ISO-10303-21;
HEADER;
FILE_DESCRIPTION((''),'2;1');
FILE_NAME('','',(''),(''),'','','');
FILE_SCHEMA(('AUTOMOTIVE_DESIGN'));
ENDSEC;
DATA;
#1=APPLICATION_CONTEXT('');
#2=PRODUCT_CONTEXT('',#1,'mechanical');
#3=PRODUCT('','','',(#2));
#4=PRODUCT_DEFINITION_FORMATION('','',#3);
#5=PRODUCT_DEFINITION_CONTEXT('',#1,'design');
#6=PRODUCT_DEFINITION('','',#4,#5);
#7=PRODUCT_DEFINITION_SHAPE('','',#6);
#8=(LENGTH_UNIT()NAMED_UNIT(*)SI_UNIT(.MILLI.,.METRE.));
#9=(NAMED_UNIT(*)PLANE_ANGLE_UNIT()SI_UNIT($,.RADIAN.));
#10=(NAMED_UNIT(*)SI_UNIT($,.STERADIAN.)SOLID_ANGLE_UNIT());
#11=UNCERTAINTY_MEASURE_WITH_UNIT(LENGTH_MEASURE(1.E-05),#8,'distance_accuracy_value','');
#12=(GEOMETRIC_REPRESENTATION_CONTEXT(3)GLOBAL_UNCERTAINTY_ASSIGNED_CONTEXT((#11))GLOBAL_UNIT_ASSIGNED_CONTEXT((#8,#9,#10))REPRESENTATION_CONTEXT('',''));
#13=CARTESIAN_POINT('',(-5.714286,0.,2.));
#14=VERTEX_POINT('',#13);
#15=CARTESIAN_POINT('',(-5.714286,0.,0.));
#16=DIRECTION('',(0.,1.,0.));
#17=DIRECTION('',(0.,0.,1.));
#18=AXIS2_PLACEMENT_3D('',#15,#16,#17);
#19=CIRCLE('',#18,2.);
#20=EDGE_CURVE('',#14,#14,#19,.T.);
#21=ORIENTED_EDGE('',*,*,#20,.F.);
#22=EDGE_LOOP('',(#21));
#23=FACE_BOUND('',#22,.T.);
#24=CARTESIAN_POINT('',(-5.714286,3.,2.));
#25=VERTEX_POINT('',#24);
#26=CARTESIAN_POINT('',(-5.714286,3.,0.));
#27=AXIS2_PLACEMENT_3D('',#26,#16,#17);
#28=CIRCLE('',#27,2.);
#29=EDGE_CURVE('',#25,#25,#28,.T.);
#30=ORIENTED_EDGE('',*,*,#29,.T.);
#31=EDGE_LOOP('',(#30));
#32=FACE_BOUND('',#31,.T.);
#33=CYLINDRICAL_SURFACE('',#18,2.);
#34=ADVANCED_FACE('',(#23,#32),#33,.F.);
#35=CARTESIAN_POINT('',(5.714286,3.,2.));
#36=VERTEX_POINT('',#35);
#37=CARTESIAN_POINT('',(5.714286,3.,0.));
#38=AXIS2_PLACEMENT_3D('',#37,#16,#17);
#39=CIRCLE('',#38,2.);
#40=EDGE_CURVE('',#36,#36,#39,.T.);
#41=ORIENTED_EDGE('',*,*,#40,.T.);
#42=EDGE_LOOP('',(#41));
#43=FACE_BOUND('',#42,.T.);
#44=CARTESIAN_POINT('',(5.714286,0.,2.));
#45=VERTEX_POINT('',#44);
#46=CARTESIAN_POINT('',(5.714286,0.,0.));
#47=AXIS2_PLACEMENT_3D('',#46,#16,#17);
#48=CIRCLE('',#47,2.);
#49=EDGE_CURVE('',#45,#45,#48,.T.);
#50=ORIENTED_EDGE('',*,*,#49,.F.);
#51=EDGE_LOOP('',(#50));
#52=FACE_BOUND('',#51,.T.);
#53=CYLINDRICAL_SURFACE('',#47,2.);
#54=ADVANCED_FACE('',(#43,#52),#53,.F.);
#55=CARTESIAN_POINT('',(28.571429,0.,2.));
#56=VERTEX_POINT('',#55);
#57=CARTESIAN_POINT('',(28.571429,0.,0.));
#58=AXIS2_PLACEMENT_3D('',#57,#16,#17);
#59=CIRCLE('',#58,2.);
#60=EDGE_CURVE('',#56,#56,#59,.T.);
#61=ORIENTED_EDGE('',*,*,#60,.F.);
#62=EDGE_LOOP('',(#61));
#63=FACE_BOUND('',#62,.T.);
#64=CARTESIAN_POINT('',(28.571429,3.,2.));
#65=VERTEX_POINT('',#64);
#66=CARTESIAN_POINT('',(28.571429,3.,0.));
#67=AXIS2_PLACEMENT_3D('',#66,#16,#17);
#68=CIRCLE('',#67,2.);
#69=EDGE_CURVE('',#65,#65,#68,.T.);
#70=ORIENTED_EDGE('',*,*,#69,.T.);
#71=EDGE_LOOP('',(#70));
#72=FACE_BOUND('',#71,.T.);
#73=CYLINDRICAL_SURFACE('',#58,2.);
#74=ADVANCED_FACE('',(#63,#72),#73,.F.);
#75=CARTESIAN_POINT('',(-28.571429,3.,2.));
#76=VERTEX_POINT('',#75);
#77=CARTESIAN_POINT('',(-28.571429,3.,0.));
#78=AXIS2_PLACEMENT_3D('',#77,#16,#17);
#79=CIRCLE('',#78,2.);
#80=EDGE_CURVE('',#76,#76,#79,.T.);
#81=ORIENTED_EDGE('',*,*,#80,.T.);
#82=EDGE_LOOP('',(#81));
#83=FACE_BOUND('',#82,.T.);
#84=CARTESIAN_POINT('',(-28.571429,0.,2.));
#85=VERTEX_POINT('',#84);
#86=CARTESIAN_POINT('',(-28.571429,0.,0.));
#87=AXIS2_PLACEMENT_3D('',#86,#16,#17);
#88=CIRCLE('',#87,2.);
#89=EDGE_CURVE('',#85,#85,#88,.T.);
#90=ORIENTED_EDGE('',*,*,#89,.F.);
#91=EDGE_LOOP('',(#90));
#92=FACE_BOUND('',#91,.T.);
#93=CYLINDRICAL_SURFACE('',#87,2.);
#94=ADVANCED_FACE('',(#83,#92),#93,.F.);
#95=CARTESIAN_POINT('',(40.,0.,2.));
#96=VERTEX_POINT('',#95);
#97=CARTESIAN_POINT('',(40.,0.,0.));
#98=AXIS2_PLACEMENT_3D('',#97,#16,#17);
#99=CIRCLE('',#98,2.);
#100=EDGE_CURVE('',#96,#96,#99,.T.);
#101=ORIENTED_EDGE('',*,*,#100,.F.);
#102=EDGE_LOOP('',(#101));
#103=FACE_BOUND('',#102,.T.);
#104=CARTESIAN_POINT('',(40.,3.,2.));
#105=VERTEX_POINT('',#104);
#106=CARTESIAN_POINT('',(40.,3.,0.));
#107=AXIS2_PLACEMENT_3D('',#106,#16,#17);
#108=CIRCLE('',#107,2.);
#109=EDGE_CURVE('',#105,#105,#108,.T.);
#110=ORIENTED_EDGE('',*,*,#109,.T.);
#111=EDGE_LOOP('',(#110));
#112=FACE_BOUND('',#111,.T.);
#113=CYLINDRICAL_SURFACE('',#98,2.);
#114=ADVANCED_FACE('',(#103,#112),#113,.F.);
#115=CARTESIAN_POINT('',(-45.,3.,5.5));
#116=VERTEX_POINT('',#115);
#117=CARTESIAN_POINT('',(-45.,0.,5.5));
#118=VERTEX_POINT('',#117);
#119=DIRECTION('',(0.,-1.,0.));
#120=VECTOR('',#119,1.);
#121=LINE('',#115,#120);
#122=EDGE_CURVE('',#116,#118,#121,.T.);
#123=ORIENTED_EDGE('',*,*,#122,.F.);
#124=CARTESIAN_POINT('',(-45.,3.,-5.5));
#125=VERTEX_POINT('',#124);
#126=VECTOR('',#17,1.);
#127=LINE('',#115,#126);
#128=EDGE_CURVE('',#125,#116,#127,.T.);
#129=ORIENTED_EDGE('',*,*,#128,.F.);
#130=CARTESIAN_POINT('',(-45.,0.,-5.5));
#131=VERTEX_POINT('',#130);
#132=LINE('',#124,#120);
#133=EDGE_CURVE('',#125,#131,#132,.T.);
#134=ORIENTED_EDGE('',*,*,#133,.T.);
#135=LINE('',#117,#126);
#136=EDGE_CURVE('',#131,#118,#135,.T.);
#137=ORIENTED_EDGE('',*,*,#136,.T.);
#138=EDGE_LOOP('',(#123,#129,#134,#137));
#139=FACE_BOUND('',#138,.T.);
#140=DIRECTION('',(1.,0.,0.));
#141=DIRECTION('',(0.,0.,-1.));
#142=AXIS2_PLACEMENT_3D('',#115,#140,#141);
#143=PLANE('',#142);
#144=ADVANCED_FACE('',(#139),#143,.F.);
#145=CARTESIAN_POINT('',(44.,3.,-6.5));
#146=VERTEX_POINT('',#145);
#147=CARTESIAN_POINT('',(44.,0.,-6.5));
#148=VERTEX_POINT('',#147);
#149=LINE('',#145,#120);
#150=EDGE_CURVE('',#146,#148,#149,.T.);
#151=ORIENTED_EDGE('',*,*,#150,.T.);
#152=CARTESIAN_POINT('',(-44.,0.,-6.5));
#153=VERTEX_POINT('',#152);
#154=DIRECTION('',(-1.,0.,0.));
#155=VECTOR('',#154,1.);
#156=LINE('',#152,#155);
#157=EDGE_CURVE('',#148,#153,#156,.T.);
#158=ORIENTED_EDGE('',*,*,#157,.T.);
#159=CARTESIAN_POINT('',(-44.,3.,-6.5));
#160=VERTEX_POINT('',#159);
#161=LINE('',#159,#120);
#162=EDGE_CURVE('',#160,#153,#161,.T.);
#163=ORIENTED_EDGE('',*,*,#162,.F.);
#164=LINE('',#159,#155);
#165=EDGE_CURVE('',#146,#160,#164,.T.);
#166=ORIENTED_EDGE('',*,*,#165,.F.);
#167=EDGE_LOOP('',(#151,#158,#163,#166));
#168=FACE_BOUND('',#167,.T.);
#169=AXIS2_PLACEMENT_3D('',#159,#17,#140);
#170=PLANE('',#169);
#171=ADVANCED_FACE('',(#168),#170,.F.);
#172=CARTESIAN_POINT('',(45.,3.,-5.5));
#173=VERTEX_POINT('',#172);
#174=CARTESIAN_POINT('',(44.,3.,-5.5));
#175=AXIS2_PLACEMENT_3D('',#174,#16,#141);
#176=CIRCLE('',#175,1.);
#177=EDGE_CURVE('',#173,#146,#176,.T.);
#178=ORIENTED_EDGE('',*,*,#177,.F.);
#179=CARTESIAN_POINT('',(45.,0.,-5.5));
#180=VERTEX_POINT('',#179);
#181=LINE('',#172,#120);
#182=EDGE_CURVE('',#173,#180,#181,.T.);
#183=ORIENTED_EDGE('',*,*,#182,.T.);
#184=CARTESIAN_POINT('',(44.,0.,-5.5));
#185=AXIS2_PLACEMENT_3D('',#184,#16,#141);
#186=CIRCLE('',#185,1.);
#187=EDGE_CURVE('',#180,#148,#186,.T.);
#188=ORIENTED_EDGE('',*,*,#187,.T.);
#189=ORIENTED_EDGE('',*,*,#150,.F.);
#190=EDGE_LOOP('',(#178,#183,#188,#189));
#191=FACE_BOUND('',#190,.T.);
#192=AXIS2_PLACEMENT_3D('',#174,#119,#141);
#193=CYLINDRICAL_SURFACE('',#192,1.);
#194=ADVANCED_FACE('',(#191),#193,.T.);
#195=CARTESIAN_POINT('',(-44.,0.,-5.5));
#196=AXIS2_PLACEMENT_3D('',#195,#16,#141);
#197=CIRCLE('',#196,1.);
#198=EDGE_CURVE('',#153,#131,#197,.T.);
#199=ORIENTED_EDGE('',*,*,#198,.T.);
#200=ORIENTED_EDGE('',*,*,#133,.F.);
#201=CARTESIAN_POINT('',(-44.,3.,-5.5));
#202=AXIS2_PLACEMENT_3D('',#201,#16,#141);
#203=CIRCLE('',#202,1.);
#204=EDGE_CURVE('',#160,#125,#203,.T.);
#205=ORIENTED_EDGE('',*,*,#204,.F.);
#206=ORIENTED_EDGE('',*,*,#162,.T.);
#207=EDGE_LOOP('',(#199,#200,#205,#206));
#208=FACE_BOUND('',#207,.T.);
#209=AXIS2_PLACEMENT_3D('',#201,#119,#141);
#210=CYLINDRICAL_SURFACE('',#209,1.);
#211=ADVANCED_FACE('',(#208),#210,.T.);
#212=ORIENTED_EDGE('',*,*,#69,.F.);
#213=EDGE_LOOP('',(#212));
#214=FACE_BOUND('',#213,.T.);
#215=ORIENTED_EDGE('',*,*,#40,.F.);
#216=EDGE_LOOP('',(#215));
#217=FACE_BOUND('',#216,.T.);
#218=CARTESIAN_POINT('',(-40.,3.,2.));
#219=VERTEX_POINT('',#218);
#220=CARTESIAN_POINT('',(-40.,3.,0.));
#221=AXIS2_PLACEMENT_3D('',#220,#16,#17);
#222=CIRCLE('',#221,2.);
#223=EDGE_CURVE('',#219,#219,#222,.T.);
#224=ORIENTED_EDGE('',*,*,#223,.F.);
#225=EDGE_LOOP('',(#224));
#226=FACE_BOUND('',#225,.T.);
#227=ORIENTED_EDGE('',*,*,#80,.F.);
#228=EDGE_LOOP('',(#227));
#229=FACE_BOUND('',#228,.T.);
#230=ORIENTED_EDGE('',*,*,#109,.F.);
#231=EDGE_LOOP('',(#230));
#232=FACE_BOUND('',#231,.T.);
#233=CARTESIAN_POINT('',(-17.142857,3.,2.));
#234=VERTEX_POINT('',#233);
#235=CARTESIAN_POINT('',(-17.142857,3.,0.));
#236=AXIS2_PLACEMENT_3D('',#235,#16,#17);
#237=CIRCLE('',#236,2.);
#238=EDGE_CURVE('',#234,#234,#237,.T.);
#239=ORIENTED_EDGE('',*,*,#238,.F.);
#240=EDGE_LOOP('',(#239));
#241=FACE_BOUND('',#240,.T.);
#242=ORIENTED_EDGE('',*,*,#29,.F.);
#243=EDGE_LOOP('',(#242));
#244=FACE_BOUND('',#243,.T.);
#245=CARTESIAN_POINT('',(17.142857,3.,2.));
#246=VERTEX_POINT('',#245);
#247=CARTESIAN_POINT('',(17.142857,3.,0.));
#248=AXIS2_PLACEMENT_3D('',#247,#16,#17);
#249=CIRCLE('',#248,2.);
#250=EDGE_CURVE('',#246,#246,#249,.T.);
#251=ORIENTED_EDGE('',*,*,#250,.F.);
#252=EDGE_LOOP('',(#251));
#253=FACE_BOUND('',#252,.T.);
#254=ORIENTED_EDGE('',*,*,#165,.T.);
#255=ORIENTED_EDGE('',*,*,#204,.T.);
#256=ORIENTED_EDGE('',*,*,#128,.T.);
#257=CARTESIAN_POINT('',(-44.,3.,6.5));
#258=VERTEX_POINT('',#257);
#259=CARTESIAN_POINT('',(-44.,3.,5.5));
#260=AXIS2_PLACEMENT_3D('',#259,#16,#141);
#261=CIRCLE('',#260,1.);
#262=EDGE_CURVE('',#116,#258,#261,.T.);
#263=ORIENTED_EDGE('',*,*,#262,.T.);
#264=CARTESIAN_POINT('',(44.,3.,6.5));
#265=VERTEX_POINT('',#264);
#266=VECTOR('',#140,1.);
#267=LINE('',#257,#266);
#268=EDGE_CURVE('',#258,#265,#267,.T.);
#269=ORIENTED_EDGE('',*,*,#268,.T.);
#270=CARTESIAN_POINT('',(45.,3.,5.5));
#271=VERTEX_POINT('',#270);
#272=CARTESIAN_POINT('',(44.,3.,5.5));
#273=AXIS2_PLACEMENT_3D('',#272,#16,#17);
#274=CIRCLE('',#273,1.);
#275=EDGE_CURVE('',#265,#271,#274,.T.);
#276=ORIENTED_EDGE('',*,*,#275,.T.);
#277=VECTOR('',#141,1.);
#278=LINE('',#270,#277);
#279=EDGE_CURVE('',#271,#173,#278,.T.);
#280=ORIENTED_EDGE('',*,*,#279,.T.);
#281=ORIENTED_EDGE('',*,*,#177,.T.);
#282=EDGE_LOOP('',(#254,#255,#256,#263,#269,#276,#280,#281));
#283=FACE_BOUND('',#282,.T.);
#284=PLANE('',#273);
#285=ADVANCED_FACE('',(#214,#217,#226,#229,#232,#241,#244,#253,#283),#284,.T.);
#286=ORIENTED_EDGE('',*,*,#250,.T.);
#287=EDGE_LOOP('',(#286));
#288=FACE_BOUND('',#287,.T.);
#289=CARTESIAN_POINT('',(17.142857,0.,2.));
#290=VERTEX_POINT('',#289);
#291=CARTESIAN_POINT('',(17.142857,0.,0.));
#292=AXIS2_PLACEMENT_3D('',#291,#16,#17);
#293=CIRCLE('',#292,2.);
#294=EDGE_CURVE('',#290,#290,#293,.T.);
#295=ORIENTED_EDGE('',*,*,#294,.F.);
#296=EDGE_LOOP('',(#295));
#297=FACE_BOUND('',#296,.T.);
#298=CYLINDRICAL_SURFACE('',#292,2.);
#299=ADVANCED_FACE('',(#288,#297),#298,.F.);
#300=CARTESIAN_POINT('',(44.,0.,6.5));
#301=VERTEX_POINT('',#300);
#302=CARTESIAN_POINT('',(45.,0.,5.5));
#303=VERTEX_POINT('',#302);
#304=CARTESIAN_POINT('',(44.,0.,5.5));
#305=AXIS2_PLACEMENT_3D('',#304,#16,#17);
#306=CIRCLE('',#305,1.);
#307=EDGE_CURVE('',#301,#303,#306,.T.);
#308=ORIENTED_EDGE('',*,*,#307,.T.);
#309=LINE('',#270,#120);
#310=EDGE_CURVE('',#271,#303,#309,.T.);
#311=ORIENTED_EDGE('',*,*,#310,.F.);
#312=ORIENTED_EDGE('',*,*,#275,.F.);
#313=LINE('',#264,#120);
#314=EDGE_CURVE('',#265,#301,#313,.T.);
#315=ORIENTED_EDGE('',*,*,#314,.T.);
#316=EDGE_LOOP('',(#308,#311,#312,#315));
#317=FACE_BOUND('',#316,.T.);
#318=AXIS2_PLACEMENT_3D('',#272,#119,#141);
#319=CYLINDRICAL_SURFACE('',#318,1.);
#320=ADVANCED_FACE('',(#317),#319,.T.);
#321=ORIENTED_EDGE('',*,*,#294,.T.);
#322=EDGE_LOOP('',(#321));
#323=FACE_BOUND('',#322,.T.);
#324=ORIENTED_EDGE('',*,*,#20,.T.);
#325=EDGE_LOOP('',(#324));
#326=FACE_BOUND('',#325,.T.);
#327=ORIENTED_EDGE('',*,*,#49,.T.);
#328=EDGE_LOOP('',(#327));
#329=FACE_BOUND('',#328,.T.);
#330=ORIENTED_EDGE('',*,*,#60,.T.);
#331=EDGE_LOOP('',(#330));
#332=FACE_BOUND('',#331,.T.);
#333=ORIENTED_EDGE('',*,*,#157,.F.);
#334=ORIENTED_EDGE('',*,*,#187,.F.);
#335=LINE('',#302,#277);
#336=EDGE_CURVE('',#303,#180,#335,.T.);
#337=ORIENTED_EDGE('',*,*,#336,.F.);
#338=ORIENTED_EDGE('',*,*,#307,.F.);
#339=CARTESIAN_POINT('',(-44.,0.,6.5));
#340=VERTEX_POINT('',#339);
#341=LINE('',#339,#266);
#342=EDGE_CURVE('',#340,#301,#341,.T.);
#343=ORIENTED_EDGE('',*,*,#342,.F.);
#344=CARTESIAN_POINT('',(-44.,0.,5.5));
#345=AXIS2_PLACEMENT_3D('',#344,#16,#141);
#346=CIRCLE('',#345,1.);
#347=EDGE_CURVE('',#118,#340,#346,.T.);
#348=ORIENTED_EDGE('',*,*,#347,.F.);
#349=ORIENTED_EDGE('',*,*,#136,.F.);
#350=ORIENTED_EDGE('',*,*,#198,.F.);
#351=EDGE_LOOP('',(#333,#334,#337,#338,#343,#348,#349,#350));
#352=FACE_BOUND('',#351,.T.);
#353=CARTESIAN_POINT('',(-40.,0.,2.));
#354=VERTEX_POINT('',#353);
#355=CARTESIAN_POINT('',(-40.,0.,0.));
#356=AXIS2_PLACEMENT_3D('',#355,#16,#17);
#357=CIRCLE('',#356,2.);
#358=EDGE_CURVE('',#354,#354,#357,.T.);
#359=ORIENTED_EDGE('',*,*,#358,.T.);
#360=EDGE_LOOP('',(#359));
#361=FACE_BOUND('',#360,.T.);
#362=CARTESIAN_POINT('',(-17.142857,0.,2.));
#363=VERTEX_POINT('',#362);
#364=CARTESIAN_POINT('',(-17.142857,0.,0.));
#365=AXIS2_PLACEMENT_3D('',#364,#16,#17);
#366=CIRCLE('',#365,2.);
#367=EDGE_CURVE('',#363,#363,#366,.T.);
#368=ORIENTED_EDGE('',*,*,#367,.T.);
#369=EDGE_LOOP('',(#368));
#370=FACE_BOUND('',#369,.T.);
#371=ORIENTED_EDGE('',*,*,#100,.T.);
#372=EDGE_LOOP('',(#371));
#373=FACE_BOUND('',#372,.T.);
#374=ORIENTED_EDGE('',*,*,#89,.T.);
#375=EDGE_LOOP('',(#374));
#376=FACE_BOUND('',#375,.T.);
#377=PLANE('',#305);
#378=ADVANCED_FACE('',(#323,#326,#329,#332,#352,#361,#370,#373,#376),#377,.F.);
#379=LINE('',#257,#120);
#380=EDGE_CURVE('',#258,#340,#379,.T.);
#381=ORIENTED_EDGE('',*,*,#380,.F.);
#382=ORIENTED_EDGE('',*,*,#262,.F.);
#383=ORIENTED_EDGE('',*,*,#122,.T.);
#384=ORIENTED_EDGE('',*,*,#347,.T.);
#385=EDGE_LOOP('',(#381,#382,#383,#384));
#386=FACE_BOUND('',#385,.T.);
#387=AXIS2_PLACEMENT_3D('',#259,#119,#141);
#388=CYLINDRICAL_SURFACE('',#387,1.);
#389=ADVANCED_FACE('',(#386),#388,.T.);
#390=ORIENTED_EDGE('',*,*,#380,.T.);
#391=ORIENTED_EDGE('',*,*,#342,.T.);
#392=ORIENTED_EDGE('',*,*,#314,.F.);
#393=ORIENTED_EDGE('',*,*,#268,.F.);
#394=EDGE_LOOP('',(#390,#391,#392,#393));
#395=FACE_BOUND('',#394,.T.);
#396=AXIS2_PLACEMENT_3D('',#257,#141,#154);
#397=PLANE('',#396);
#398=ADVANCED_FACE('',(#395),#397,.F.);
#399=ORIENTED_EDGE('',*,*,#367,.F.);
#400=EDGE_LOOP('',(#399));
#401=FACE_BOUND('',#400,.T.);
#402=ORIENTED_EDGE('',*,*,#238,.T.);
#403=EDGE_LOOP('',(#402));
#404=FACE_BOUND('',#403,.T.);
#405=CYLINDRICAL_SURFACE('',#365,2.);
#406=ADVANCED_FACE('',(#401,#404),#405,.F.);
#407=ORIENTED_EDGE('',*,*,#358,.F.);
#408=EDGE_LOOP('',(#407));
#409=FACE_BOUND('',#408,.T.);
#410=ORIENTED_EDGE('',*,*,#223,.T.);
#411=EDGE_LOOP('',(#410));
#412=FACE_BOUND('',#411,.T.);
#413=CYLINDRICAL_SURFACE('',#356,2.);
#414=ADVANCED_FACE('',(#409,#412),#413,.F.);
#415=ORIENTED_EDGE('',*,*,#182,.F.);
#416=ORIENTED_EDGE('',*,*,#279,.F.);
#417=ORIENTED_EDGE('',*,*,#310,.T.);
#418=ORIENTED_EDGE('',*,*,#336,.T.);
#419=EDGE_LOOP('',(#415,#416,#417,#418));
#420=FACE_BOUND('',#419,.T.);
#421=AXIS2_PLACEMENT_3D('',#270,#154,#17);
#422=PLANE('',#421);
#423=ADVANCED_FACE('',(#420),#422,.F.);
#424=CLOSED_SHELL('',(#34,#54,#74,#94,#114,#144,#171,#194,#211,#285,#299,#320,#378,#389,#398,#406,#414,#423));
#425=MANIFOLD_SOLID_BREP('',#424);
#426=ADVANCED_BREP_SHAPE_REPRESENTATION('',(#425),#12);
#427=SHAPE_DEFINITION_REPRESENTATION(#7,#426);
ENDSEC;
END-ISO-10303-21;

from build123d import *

# Parameters (mm, degrees)
BOSS_EXTRUDE1_DEPTH = 3
SKETCH3_R           = 2
CUT_EXTRUDE1_DEPTH  = 46.565886362


with BuildPart() as part:
    # Sketch1 → Boss-Extrude1 (new body)
    with BuildSketch(Plane(origin=(0, 0, 0), x_dir=(1, 0, 0), z_dir=(0, 1, 0))):
        with BuildLine():
            Line((-44, -6.5), (44, -6.5))
            ThreePointArc((44, -6.5), (44.707106781, -6.207106781), (45, -5.5))
            Line((45, -5.5), (45, 5.5))
            ThreePointArc((45, 5.5), (44.707106781, 6.207106781), (44, 6.5))
            Line((44, 6.5), (-44, 6.5))
            ThreePointArc((-44, 6.5), (-44.707106781, 6.207106781), (-45, 5.5))
            Line((-45, 5.5), (-45, -5.5))
            ThreePointArc((-45, -5.5), (-44.707106781, -6.207106781), (-44, -6.5))
        make_face()
    extrude(amount=BOSS_EXTRUDE1_DEPTH)

    # Sketch3 → Cut-Extrude1 (cut, through all)
    with BuildSketch(Plane(origin=(0, 3, 0), x_dir=(1, 0, 0), z_dir=(0, 1, 0))):
        with Locations(Location((-40, 0, 0), (0, 0, 270))):
            Circle(SKETCH3_R)
        with Locations(Location((-28.571428571, 0, 0), (0, 0, 270))):
            Circle(SKETCH3_R)
        with Locations(Location((-17.142857143, 0, 0), (0, 0, 270))):
            Circle(SKETCH3_R)
        with Locations(Location((-5.714285714, 0, 0), (0, 0, 270))):
            Circle(SKETCH3_R)
        with Locations(Location((5.714285714, 0, 0), (0, 0, 270))):
            Circle(SKETCH3_R)
        with Locations(Location((17.142857143, 0, 0), (0, 0, 270))):
            Circle(SKETCH3_R)
        with Locations(Location((28.571428571, 0, 0), (0, 0, 270))):
            Circle(SKETCH3_R)
        with Locations(Location((40, 0, 0), (0, 0, 270))):
            Circle(SKETCH3_R)
    extrude(amount=-CUT_EXTRUDE1_DEPTH, mode=Mode.SUBTRACT)


solid = part.part
